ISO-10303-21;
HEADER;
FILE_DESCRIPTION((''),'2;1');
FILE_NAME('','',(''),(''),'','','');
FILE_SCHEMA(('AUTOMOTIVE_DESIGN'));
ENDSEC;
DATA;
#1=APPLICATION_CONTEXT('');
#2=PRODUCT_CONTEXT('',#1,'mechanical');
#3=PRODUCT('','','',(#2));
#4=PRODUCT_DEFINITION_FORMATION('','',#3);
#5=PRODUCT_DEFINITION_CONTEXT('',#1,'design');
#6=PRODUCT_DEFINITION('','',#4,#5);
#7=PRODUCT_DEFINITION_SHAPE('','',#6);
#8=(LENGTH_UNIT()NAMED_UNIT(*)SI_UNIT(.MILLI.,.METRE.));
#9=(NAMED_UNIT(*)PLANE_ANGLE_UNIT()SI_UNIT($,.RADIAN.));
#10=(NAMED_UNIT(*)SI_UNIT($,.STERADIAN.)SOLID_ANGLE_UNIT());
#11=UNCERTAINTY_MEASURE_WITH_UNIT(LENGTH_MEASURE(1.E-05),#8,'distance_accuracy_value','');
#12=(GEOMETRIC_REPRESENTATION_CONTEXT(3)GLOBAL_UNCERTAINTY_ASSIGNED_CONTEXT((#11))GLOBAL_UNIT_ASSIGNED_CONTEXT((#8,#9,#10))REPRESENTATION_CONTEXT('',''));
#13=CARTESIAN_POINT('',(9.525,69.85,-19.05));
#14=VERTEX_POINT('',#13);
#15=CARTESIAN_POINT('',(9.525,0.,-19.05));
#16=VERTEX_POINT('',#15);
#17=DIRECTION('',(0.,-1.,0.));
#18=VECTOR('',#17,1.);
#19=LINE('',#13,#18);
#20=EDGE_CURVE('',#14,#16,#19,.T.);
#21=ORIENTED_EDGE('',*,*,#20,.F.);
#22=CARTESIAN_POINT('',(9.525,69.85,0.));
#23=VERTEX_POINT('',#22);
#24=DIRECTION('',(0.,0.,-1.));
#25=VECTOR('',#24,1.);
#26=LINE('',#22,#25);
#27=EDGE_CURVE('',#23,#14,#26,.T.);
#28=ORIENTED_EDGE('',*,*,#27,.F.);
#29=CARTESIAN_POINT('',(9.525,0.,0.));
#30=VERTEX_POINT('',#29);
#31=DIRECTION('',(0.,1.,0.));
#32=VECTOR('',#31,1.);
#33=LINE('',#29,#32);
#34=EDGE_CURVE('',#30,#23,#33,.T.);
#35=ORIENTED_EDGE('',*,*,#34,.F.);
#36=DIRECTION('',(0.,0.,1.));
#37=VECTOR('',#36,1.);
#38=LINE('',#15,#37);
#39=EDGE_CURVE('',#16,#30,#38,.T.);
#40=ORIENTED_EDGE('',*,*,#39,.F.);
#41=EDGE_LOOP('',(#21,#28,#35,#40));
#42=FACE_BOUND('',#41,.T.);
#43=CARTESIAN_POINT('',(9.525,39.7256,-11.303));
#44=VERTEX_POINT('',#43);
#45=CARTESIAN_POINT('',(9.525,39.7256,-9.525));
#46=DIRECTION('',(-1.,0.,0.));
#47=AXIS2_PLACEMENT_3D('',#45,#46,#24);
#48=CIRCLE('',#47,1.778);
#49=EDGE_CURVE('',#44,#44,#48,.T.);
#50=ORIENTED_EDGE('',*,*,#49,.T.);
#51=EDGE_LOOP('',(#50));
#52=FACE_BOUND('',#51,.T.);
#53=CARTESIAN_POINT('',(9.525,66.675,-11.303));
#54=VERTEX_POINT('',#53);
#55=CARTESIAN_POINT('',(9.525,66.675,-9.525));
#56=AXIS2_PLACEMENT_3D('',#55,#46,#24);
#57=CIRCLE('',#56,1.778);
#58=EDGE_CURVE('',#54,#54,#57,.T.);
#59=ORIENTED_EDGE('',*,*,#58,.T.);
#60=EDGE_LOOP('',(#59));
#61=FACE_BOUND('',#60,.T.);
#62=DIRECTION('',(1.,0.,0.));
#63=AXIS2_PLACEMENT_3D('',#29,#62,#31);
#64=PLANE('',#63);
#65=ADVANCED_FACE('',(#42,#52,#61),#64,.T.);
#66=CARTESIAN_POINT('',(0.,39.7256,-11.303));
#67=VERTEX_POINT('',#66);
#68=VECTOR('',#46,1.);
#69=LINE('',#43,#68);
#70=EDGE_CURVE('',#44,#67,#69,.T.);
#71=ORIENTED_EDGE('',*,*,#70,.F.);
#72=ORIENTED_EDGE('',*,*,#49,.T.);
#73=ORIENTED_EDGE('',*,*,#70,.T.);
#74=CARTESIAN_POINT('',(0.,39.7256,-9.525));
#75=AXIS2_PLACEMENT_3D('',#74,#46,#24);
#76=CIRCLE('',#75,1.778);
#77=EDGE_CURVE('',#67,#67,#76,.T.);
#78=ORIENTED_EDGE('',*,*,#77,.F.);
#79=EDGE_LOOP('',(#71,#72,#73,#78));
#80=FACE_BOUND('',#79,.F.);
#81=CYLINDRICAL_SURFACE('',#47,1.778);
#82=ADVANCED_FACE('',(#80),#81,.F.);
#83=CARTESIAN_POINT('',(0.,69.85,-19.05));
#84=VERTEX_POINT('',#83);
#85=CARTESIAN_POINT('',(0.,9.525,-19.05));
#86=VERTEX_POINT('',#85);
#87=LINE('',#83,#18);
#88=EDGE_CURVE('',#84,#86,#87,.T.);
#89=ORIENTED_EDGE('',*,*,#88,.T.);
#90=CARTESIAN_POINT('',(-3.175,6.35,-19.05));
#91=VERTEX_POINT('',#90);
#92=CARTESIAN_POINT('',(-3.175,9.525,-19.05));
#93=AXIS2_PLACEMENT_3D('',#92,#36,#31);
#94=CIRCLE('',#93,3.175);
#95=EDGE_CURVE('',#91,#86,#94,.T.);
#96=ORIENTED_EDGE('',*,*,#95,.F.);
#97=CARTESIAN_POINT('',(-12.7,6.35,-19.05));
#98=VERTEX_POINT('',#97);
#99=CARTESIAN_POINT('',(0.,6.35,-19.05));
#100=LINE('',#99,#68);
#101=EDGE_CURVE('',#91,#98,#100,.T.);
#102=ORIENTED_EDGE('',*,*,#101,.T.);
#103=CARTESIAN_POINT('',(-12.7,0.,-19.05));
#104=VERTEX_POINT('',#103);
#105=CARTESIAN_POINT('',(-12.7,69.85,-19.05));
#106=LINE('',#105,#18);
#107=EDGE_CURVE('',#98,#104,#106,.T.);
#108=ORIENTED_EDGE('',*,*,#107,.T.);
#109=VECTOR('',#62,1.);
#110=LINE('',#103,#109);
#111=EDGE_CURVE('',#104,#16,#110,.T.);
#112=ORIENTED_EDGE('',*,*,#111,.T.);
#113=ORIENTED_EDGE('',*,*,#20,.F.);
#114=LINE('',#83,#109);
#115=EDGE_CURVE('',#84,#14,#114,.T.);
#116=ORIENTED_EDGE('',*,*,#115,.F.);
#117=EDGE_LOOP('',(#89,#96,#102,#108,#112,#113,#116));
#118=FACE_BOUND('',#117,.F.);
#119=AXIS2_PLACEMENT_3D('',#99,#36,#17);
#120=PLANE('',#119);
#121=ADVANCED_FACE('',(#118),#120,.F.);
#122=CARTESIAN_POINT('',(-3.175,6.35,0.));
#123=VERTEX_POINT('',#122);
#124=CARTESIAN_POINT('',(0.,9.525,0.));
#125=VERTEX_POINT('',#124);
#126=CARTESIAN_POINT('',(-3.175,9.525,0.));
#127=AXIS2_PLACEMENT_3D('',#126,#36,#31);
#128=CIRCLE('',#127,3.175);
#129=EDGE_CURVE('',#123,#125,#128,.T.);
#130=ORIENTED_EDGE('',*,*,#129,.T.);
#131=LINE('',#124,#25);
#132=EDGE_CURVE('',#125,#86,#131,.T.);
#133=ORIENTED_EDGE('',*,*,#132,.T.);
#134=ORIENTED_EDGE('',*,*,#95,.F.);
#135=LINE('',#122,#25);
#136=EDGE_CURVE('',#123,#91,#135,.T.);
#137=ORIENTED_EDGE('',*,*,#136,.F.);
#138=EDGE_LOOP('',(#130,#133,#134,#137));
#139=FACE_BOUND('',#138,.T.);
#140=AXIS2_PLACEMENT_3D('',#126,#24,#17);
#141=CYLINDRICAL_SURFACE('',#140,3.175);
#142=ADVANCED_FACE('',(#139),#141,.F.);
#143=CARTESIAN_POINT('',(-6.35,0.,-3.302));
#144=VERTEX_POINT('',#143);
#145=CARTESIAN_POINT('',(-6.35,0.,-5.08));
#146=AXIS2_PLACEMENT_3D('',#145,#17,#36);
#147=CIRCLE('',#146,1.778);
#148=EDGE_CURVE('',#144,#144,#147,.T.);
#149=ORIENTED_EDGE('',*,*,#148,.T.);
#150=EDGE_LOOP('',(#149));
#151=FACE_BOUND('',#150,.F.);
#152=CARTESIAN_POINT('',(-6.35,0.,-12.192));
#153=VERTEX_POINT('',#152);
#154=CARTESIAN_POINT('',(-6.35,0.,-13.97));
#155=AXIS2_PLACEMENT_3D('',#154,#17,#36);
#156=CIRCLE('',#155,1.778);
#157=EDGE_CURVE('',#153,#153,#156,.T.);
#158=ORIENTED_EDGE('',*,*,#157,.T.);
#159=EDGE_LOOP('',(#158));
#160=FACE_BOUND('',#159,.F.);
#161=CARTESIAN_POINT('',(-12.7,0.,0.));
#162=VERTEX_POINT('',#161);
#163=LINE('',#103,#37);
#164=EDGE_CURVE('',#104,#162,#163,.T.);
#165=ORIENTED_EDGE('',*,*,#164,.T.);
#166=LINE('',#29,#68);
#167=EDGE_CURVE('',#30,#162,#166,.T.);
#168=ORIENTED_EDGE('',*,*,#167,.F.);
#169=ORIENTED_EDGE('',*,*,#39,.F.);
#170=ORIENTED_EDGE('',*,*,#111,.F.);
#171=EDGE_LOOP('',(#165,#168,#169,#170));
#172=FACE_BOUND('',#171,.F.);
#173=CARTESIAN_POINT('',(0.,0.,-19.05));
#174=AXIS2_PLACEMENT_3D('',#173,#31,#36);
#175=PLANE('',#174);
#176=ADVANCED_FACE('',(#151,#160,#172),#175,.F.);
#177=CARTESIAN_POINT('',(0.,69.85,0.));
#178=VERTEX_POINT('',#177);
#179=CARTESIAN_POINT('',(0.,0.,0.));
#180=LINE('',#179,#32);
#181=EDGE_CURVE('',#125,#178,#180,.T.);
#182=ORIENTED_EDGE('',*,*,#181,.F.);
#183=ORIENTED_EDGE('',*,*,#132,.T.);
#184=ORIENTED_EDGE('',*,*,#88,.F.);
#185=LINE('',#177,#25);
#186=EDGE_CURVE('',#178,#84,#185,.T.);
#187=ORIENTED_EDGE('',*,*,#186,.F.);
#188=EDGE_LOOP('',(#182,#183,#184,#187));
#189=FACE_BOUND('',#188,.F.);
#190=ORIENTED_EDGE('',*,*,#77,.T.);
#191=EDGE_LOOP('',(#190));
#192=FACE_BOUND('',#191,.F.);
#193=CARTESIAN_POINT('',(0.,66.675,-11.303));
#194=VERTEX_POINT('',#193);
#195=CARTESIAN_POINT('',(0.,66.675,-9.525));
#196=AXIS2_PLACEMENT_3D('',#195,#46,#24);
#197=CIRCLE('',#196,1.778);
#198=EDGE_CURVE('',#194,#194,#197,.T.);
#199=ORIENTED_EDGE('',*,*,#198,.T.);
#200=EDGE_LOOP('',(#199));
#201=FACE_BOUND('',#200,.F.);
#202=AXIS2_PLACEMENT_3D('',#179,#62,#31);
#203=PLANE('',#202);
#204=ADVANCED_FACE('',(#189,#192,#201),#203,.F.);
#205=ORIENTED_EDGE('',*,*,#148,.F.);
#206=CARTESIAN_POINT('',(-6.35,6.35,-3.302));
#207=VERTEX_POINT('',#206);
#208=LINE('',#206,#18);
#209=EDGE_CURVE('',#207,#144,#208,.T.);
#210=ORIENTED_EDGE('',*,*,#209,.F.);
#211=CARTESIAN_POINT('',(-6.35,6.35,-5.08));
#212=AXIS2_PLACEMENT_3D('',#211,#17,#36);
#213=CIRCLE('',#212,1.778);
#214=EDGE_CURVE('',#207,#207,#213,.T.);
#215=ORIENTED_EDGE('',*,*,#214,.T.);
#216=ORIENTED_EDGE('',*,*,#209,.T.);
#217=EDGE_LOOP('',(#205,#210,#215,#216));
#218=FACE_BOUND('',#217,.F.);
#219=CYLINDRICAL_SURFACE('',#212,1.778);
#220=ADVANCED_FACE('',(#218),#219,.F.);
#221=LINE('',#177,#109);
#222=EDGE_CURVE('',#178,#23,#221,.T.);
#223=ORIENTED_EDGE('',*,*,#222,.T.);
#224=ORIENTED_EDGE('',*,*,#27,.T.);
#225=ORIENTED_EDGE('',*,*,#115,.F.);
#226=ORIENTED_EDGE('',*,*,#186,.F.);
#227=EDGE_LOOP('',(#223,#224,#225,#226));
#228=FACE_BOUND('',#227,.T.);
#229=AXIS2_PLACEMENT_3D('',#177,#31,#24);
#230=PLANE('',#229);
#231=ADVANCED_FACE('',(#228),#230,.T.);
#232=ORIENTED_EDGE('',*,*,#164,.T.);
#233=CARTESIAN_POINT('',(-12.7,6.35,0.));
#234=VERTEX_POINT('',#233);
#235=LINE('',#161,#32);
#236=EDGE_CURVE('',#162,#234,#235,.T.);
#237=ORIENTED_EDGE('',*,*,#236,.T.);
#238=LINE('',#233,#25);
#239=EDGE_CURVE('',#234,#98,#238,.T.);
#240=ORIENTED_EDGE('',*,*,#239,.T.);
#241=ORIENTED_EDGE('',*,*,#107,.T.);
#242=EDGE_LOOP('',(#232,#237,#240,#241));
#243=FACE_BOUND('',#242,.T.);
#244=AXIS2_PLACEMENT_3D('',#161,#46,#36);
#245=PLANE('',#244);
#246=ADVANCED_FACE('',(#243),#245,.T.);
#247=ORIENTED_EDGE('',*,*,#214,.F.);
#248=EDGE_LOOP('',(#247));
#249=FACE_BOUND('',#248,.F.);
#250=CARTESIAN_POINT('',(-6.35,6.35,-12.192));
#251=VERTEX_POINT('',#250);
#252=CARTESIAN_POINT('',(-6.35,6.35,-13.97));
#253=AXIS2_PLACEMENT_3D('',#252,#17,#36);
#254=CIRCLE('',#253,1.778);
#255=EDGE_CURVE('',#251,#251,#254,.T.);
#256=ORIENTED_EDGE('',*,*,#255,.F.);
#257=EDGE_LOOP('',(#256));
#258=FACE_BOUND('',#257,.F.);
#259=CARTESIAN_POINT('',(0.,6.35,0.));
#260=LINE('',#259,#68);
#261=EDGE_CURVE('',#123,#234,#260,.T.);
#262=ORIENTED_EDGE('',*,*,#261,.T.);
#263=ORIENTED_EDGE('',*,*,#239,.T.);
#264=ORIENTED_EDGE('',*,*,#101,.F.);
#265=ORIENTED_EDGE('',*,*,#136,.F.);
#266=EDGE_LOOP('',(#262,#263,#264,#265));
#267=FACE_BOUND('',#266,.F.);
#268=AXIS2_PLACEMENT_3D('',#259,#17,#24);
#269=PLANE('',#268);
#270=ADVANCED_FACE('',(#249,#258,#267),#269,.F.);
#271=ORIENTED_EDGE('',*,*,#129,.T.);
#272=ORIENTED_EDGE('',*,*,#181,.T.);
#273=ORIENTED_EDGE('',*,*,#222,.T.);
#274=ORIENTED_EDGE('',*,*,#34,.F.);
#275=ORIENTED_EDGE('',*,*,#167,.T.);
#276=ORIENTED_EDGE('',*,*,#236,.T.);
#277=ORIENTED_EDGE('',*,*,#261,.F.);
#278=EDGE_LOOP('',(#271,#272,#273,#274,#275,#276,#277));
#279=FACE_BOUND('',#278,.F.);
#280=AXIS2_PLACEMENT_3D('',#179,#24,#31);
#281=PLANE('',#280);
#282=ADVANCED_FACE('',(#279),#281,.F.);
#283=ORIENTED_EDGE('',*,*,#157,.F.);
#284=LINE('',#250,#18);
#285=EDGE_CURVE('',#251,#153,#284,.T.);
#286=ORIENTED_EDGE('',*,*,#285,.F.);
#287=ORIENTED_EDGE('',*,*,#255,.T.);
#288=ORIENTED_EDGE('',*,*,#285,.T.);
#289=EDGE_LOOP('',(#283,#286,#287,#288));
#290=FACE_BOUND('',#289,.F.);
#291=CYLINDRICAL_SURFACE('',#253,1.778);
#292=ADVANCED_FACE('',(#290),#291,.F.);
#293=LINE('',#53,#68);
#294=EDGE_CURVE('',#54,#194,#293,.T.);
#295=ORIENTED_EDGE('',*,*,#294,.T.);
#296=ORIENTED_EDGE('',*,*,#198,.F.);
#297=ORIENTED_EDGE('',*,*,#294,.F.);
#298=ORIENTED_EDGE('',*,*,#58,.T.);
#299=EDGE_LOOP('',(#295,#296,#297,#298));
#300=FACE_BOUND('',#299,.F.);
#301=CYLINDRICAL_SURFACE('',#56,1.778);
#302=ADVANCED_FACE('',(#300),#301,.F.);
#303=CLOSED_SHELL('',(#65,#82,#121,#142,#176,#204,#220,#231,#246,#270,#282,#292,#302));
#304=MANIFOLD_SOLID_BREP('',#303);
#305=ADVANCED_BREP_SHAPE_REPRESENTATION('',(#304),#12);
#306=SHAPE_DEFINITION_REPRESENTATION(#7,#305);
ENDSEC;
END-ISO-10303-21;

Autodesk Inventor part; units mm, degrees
ref_plane "YZ Plane" through (0, 0, 0) normal (1, 0, 0) x (0, 1, 0)
ref_plane "XZ Plane" through (0, 0, 0) normal (0, 1, 0) x (-1, 0, 0)
ref_plane "XY Plane" through (0, 0, 0) normal (0, 0, 1) x (1, 0, 0)
sketch "Sketch1" plane through (0, 0, 0) normal (1, 0, 0) x (0, 1, 0)
  line L0 (0, 0) -> (69.85, 0)
  line L1 (69.85, 0) -> (69.85, -19.05)
  line L2 (69.85, -19.05) -> (0, -19.05)
  line L3 (0, -19.05) -> (0, 0)
  dimension "d0" = 19.05
  dimension "d1" = 69.85
extrude "Extrusion1" add sketch "Sketch1" along normal blind 9.525
sketch "Sketch2" plane through (9.525, 0, 0) normal (1, 0, 0) x (0, 0, -1)
  line L0 (0, 69.85) -> (0, 0) projected
  line L1 (0, 0) -> (19.05, 0) projected
  line L2 (19.05, 0) -> (19.05, 69.85) projected
  line L3 (19.05, 69.85) -> (0, 69.85) projected
  point P0 (9.525, 66.675)
  point P1 (9.525, 39.7256)
  dimension "d4" = 26.9494
  dimension "d5" = 19.05
  dimension "d6" = 69.85
  dimension "d7" = 3.175
  dimension "d8" = 9.525
  dimension "d9" = 9.525
hole "Hole1" at (9.525, 66.675, -9.525) at (9.525, 39.7256, -9.525) direction (-1, 0, 0) diameter 3.556 depth 25.4 tip angle 118
sketch "Sketch5" plane through (0, 0, 0) normal (-1, 0, 0) x (0, 0, 1)
  circle A0 centre (-9.525, 66.675) radius 1.778 projected
  circle A1 centre (-9.525, 39.7256) radius 1.778 projected
  line L0 (0, 0) -> (0, 69.85) projected
  line L1 (0, 69.85) -> (-19.05, 69.85) projected
  line L2 (-19.05, 69.85) -> (-19.05, 0) projected
  line L3 (-19.05, 0) -> (0, 0) projected
  line L4 (-19.05, 0) -> (-19.05, 69.85) projected
  line L5 (0, 69.85) -> (0, 0) projected
  line L6 (-19.05, 0) -> (0, 0)
  line L7 (0, 0) -> (0, 6.35)
  line L8 (0, 6.35) -> (-19.05, 6.35)
  line L9 (-19.05, 6.35) -> (-19.05, 0)
  dimension "d31" = 6.35
extrude "Extrusion2" add sketch "Sketch5" along normal blind 12.7 contours L3 L2 L8 L0
sketch "Sketch6" plane through (0, 6.35, 0) normal (0, 1, 0) x (1, 0, 0)
  line L0 (0, 19.05) -> (0, 0) projected
  line L1 (0, 19.05) -> (-12.7, 19.05) projected
  line L2 (-12.7, 0) -> (-12.7, 19.05) projected
  line L3 (0, 0) -> (-12.7, 0) projected
  point P0 (0, 0)
  point P1 (-6.35, 13.97)
  point P2 (-6.35, 5.08)
  dimension "d34" = 19.05
  dimension "d35" = 5.08
  dimension "d36" = 5.08
hole "Hole3" at (-6.35, 6.35, -13.97) at (-6.35, 6.35, -5.08) direction (0, -1, 0) diameter 3.556 depth 25.4 tip angle 118
fillet "Fillet1" radius 3.175 1 edges at (0, 6.35, -9.525)
equation "\"d8\" = 0.5 * d5"
equation "\"d9\" = d8"
equation "\"d36\" = d35"
properties part number "GlyphtMotorBrace"
